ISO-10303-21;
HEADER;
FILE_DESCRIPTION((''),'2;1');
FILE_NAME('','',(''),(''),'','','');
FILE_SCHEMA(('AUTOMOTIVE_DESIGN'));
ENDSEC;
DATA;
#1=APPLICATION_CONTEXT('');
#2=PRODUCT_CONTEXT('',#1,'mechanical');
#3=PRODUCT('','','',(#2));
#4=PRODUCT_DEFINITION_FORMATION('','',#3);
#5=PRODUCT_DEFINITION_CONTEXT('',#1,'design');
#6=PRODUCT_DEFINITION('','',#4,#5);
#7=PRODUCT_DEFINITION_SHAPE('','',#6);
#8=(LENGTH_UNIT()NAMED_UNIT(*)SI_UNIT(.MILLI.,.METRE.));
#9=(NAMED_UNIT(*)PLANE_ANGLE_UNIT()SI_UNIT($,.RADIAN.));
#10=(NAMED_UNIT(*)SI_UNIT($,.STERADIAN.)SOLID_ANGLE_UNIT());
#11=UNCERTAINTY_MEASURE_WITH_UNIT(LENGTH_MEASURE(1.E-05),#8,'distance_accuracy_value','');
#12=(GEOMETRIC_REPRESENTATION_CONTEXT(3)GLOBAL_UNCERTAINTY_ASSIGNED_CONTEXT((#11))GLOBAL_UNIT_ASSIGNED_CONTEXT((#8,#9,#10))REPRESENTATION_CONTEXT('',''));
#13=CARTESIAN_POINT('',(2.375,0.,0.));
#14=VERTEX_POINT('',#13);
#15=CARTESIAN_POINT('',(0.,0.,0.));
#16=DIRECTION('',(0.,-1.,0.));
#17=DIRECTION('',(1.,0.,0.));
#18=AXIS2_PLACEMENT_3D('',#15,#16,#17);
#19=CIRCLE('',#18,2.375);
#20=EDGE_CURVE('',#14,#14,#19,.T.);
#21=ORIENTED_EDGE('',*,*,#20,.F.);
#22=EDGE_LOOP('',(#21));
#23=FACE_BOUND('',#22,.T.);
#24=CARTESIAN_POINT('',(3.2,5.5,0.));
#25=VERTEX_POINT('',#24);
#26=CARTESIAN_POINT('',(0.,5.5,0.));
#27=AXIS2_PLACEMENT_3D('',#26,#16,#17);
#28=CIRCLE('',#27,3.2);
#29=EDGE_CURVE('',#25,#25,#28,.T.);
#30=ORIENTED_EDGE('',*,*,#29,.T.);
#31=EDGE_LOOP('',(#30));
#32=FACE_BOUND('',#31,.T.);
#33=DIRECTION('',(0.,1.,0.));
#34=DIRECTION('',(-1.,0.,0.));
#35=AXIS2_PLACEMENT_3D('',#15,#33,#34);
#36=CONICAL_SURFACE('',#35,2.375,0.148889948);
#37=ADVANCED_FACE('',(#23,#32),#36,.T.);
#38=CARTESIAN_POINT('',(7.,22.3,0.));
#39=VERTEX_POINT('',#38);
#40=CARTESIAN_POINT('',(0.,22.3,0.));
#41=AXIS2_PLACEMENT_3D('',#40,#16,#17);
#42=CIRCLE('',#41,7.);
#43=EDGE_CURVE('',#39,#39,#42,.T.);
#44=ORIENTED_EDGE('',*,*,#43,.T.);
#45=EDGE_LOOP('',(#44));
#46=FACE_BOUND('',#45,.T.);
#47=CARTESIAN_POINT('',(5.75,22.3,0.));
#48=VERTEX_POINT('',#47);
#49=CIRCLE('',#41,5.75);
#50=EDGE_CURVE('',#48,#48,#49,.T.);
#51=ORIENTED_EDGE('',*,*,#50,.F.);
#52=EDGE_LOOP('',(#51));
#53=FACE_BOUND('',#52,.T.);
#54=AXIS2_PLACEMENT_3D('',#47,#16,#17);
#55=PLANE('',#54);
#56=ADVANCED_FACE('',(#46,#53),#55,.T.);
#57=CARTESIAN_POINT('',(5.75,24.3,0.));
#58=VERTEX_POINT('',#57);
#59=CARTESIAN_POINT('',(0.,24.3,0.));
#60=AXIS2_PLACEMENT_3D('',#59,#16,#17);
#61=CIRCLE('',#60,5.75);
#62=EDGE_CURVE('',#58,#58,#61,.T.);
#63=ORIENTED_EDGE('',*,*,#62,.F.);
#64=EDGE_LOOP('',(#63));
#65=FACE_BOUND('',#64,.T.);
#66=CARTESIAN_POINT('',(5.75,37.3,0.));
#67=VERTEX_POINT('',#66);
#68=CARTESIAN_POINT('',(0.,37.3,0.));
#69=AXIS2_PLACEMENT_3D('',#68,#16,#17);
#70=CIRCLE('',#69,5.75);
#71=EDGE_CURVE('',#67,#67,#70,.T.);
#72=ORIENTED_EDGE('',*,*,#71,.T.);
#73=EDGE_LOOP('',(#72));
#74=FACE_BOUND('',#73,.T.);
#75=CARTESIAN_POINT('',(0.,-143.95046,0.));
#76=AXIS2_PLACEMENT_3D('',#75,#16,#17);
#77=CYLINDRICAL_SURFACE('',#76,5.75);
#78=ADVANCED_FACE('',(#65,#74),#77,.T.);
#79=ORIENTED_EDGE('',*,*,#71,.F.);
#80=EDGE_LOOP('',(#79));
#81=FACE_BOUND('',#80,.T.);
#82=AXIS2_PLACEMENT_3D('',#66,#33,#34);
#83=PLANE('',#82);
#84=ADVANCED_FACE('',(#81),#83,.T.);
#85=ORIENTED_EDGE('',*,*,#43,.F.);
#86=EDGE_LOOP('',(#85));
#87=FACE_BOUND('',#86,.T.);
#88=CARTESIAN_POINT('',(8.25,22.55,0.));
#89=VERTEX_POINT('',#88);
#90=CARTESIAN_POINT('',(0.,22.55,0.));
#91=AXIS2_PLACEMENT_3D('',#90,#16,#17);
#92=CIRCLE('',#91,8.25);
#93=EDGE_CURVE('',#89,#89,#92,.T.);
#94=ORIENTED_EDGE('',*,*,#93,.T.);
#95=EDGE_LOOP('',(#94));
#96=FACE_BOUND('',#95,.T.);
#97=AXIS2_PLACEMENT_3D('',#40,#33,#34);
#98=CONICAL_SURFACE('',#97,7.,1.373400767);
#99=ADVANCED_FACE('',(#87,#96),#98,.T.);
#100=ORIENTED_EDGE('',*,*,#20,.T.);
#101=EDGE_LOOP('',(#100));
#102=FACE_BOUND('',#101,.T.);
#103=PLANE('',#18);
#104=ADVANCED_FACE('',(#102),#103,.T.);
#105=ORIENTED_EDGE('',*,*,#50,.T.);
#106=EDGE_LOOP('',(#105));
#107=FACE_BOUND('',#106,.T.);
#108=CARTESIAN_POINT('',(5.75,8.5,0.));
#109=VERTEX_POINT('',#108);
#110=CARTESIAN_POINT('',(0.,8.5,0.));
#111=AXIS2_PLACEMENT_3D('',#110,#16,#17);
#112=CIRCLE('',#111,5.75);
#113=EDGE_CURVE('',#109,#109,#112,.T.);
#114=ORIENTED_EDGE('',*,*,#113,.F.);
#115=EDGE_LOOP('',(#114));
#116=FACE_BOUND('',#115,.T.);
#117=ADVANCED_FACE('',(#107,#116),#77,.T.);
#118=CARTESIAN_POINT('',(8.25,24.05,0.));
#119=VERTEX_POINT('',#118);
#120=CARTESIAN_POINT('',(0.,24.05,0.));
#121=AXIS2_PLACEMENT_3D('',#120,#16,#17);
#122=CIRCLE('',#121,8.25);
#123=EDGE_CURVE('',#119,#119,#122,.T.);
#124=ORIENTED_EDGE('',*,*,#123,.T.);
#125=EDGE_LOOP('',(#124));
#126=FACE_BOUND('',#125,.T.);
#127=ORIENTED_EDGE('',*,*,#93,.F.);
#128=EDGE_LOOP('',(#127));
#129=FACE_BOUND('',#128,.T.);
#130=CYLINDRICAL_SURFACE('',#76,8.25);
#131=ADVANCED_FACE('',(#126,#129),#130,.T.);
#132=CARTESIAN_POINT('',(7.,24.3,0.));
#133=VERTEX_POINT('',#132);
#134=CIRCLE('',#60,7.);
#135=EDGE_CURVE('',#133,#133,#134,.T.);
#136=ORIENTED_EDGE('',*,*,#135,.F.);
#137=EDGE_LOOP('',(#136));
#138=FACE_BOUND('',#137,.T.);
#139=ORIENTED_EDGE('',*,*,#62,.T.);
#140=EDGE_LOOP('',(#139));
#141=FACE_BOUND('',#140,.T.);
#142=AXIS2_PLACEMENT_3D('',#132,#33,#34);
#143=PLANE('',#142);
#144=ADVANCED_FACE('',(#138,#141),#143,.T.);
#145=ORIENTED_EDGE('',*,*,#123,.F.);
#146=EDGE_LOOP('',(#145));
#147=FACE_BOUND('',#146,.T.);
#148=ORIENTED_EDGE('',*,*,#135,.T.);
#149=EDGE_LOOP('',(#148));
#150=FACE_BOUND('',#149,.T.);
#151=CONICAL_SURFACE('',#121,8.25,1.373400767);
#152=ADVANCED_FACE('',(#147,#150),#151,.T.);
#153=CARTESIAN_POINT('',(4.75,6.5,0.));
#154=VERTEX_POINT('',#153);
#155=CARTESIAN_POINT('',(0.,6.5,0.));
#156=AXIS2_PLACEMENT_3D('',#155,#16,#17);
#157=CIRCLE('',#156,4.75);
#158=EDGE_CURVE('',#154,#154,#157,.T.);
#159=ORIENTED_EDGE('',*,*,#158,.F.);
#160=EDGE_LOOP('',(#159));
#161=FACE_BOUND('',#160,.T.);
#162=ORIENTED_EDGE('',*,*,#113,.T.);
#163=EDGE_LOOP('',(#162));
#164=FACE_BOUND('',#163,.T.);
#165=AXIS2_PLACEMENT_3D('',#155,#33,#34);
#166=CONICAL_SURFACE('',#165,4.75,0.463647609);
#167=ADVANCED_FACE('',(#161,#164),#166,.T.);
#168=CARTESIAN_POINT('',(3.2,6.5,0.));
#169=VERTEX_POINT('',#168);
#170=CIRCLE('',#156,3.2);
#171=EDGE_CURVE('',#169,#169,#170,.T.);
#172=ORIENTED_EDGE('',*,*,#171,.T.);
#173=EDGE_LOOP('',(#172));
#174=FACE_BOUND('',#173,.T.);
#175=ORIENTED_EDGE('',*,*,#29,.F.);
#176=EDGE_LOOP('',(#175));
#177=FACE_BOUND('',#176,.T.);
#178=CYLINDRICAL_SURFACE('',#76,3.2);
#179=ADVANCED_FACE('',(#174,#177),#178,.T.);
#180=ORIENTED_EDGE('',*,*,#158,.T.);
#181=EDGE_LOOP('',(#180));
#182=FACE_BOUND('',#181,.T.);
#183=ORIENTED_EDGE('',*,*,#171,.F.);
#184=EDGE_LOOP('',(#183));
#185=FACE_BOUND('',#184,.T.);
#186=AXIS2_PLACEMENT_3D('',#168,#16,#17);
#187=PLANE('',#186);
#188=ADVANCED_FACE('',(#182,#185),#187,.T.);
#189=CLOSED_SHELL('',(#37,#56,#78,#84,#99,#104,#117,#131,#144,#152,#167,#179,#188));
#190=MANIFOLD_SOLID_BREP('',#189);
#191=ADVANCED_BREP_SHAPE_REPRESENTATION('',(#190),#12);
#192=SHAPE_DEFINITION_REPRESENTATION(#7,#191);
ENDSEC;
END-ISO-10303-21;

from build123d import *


with BuildPart() as part:
    # Sketch1 → 5.63 mm bottom to pen tip (revolve)
    with BuildSketch(Plane.XY):
        Polygon((0, 0), (2.375, 0), (3.2, 5.5), (3.2, 6.5), (4.75, 6.5), (5.75, 8.5), (5.75, 22.3), (7, 22.3), (8.25, 22.55), (8.25, 24.05), (7, 24.3), (5.75, 24.3), (5.75, 37.3), (0, 37.3), align=None)
    revolve(axis=Axis((0, -143.950460456, 0), (0, 1, 0)))


solid = part.part
